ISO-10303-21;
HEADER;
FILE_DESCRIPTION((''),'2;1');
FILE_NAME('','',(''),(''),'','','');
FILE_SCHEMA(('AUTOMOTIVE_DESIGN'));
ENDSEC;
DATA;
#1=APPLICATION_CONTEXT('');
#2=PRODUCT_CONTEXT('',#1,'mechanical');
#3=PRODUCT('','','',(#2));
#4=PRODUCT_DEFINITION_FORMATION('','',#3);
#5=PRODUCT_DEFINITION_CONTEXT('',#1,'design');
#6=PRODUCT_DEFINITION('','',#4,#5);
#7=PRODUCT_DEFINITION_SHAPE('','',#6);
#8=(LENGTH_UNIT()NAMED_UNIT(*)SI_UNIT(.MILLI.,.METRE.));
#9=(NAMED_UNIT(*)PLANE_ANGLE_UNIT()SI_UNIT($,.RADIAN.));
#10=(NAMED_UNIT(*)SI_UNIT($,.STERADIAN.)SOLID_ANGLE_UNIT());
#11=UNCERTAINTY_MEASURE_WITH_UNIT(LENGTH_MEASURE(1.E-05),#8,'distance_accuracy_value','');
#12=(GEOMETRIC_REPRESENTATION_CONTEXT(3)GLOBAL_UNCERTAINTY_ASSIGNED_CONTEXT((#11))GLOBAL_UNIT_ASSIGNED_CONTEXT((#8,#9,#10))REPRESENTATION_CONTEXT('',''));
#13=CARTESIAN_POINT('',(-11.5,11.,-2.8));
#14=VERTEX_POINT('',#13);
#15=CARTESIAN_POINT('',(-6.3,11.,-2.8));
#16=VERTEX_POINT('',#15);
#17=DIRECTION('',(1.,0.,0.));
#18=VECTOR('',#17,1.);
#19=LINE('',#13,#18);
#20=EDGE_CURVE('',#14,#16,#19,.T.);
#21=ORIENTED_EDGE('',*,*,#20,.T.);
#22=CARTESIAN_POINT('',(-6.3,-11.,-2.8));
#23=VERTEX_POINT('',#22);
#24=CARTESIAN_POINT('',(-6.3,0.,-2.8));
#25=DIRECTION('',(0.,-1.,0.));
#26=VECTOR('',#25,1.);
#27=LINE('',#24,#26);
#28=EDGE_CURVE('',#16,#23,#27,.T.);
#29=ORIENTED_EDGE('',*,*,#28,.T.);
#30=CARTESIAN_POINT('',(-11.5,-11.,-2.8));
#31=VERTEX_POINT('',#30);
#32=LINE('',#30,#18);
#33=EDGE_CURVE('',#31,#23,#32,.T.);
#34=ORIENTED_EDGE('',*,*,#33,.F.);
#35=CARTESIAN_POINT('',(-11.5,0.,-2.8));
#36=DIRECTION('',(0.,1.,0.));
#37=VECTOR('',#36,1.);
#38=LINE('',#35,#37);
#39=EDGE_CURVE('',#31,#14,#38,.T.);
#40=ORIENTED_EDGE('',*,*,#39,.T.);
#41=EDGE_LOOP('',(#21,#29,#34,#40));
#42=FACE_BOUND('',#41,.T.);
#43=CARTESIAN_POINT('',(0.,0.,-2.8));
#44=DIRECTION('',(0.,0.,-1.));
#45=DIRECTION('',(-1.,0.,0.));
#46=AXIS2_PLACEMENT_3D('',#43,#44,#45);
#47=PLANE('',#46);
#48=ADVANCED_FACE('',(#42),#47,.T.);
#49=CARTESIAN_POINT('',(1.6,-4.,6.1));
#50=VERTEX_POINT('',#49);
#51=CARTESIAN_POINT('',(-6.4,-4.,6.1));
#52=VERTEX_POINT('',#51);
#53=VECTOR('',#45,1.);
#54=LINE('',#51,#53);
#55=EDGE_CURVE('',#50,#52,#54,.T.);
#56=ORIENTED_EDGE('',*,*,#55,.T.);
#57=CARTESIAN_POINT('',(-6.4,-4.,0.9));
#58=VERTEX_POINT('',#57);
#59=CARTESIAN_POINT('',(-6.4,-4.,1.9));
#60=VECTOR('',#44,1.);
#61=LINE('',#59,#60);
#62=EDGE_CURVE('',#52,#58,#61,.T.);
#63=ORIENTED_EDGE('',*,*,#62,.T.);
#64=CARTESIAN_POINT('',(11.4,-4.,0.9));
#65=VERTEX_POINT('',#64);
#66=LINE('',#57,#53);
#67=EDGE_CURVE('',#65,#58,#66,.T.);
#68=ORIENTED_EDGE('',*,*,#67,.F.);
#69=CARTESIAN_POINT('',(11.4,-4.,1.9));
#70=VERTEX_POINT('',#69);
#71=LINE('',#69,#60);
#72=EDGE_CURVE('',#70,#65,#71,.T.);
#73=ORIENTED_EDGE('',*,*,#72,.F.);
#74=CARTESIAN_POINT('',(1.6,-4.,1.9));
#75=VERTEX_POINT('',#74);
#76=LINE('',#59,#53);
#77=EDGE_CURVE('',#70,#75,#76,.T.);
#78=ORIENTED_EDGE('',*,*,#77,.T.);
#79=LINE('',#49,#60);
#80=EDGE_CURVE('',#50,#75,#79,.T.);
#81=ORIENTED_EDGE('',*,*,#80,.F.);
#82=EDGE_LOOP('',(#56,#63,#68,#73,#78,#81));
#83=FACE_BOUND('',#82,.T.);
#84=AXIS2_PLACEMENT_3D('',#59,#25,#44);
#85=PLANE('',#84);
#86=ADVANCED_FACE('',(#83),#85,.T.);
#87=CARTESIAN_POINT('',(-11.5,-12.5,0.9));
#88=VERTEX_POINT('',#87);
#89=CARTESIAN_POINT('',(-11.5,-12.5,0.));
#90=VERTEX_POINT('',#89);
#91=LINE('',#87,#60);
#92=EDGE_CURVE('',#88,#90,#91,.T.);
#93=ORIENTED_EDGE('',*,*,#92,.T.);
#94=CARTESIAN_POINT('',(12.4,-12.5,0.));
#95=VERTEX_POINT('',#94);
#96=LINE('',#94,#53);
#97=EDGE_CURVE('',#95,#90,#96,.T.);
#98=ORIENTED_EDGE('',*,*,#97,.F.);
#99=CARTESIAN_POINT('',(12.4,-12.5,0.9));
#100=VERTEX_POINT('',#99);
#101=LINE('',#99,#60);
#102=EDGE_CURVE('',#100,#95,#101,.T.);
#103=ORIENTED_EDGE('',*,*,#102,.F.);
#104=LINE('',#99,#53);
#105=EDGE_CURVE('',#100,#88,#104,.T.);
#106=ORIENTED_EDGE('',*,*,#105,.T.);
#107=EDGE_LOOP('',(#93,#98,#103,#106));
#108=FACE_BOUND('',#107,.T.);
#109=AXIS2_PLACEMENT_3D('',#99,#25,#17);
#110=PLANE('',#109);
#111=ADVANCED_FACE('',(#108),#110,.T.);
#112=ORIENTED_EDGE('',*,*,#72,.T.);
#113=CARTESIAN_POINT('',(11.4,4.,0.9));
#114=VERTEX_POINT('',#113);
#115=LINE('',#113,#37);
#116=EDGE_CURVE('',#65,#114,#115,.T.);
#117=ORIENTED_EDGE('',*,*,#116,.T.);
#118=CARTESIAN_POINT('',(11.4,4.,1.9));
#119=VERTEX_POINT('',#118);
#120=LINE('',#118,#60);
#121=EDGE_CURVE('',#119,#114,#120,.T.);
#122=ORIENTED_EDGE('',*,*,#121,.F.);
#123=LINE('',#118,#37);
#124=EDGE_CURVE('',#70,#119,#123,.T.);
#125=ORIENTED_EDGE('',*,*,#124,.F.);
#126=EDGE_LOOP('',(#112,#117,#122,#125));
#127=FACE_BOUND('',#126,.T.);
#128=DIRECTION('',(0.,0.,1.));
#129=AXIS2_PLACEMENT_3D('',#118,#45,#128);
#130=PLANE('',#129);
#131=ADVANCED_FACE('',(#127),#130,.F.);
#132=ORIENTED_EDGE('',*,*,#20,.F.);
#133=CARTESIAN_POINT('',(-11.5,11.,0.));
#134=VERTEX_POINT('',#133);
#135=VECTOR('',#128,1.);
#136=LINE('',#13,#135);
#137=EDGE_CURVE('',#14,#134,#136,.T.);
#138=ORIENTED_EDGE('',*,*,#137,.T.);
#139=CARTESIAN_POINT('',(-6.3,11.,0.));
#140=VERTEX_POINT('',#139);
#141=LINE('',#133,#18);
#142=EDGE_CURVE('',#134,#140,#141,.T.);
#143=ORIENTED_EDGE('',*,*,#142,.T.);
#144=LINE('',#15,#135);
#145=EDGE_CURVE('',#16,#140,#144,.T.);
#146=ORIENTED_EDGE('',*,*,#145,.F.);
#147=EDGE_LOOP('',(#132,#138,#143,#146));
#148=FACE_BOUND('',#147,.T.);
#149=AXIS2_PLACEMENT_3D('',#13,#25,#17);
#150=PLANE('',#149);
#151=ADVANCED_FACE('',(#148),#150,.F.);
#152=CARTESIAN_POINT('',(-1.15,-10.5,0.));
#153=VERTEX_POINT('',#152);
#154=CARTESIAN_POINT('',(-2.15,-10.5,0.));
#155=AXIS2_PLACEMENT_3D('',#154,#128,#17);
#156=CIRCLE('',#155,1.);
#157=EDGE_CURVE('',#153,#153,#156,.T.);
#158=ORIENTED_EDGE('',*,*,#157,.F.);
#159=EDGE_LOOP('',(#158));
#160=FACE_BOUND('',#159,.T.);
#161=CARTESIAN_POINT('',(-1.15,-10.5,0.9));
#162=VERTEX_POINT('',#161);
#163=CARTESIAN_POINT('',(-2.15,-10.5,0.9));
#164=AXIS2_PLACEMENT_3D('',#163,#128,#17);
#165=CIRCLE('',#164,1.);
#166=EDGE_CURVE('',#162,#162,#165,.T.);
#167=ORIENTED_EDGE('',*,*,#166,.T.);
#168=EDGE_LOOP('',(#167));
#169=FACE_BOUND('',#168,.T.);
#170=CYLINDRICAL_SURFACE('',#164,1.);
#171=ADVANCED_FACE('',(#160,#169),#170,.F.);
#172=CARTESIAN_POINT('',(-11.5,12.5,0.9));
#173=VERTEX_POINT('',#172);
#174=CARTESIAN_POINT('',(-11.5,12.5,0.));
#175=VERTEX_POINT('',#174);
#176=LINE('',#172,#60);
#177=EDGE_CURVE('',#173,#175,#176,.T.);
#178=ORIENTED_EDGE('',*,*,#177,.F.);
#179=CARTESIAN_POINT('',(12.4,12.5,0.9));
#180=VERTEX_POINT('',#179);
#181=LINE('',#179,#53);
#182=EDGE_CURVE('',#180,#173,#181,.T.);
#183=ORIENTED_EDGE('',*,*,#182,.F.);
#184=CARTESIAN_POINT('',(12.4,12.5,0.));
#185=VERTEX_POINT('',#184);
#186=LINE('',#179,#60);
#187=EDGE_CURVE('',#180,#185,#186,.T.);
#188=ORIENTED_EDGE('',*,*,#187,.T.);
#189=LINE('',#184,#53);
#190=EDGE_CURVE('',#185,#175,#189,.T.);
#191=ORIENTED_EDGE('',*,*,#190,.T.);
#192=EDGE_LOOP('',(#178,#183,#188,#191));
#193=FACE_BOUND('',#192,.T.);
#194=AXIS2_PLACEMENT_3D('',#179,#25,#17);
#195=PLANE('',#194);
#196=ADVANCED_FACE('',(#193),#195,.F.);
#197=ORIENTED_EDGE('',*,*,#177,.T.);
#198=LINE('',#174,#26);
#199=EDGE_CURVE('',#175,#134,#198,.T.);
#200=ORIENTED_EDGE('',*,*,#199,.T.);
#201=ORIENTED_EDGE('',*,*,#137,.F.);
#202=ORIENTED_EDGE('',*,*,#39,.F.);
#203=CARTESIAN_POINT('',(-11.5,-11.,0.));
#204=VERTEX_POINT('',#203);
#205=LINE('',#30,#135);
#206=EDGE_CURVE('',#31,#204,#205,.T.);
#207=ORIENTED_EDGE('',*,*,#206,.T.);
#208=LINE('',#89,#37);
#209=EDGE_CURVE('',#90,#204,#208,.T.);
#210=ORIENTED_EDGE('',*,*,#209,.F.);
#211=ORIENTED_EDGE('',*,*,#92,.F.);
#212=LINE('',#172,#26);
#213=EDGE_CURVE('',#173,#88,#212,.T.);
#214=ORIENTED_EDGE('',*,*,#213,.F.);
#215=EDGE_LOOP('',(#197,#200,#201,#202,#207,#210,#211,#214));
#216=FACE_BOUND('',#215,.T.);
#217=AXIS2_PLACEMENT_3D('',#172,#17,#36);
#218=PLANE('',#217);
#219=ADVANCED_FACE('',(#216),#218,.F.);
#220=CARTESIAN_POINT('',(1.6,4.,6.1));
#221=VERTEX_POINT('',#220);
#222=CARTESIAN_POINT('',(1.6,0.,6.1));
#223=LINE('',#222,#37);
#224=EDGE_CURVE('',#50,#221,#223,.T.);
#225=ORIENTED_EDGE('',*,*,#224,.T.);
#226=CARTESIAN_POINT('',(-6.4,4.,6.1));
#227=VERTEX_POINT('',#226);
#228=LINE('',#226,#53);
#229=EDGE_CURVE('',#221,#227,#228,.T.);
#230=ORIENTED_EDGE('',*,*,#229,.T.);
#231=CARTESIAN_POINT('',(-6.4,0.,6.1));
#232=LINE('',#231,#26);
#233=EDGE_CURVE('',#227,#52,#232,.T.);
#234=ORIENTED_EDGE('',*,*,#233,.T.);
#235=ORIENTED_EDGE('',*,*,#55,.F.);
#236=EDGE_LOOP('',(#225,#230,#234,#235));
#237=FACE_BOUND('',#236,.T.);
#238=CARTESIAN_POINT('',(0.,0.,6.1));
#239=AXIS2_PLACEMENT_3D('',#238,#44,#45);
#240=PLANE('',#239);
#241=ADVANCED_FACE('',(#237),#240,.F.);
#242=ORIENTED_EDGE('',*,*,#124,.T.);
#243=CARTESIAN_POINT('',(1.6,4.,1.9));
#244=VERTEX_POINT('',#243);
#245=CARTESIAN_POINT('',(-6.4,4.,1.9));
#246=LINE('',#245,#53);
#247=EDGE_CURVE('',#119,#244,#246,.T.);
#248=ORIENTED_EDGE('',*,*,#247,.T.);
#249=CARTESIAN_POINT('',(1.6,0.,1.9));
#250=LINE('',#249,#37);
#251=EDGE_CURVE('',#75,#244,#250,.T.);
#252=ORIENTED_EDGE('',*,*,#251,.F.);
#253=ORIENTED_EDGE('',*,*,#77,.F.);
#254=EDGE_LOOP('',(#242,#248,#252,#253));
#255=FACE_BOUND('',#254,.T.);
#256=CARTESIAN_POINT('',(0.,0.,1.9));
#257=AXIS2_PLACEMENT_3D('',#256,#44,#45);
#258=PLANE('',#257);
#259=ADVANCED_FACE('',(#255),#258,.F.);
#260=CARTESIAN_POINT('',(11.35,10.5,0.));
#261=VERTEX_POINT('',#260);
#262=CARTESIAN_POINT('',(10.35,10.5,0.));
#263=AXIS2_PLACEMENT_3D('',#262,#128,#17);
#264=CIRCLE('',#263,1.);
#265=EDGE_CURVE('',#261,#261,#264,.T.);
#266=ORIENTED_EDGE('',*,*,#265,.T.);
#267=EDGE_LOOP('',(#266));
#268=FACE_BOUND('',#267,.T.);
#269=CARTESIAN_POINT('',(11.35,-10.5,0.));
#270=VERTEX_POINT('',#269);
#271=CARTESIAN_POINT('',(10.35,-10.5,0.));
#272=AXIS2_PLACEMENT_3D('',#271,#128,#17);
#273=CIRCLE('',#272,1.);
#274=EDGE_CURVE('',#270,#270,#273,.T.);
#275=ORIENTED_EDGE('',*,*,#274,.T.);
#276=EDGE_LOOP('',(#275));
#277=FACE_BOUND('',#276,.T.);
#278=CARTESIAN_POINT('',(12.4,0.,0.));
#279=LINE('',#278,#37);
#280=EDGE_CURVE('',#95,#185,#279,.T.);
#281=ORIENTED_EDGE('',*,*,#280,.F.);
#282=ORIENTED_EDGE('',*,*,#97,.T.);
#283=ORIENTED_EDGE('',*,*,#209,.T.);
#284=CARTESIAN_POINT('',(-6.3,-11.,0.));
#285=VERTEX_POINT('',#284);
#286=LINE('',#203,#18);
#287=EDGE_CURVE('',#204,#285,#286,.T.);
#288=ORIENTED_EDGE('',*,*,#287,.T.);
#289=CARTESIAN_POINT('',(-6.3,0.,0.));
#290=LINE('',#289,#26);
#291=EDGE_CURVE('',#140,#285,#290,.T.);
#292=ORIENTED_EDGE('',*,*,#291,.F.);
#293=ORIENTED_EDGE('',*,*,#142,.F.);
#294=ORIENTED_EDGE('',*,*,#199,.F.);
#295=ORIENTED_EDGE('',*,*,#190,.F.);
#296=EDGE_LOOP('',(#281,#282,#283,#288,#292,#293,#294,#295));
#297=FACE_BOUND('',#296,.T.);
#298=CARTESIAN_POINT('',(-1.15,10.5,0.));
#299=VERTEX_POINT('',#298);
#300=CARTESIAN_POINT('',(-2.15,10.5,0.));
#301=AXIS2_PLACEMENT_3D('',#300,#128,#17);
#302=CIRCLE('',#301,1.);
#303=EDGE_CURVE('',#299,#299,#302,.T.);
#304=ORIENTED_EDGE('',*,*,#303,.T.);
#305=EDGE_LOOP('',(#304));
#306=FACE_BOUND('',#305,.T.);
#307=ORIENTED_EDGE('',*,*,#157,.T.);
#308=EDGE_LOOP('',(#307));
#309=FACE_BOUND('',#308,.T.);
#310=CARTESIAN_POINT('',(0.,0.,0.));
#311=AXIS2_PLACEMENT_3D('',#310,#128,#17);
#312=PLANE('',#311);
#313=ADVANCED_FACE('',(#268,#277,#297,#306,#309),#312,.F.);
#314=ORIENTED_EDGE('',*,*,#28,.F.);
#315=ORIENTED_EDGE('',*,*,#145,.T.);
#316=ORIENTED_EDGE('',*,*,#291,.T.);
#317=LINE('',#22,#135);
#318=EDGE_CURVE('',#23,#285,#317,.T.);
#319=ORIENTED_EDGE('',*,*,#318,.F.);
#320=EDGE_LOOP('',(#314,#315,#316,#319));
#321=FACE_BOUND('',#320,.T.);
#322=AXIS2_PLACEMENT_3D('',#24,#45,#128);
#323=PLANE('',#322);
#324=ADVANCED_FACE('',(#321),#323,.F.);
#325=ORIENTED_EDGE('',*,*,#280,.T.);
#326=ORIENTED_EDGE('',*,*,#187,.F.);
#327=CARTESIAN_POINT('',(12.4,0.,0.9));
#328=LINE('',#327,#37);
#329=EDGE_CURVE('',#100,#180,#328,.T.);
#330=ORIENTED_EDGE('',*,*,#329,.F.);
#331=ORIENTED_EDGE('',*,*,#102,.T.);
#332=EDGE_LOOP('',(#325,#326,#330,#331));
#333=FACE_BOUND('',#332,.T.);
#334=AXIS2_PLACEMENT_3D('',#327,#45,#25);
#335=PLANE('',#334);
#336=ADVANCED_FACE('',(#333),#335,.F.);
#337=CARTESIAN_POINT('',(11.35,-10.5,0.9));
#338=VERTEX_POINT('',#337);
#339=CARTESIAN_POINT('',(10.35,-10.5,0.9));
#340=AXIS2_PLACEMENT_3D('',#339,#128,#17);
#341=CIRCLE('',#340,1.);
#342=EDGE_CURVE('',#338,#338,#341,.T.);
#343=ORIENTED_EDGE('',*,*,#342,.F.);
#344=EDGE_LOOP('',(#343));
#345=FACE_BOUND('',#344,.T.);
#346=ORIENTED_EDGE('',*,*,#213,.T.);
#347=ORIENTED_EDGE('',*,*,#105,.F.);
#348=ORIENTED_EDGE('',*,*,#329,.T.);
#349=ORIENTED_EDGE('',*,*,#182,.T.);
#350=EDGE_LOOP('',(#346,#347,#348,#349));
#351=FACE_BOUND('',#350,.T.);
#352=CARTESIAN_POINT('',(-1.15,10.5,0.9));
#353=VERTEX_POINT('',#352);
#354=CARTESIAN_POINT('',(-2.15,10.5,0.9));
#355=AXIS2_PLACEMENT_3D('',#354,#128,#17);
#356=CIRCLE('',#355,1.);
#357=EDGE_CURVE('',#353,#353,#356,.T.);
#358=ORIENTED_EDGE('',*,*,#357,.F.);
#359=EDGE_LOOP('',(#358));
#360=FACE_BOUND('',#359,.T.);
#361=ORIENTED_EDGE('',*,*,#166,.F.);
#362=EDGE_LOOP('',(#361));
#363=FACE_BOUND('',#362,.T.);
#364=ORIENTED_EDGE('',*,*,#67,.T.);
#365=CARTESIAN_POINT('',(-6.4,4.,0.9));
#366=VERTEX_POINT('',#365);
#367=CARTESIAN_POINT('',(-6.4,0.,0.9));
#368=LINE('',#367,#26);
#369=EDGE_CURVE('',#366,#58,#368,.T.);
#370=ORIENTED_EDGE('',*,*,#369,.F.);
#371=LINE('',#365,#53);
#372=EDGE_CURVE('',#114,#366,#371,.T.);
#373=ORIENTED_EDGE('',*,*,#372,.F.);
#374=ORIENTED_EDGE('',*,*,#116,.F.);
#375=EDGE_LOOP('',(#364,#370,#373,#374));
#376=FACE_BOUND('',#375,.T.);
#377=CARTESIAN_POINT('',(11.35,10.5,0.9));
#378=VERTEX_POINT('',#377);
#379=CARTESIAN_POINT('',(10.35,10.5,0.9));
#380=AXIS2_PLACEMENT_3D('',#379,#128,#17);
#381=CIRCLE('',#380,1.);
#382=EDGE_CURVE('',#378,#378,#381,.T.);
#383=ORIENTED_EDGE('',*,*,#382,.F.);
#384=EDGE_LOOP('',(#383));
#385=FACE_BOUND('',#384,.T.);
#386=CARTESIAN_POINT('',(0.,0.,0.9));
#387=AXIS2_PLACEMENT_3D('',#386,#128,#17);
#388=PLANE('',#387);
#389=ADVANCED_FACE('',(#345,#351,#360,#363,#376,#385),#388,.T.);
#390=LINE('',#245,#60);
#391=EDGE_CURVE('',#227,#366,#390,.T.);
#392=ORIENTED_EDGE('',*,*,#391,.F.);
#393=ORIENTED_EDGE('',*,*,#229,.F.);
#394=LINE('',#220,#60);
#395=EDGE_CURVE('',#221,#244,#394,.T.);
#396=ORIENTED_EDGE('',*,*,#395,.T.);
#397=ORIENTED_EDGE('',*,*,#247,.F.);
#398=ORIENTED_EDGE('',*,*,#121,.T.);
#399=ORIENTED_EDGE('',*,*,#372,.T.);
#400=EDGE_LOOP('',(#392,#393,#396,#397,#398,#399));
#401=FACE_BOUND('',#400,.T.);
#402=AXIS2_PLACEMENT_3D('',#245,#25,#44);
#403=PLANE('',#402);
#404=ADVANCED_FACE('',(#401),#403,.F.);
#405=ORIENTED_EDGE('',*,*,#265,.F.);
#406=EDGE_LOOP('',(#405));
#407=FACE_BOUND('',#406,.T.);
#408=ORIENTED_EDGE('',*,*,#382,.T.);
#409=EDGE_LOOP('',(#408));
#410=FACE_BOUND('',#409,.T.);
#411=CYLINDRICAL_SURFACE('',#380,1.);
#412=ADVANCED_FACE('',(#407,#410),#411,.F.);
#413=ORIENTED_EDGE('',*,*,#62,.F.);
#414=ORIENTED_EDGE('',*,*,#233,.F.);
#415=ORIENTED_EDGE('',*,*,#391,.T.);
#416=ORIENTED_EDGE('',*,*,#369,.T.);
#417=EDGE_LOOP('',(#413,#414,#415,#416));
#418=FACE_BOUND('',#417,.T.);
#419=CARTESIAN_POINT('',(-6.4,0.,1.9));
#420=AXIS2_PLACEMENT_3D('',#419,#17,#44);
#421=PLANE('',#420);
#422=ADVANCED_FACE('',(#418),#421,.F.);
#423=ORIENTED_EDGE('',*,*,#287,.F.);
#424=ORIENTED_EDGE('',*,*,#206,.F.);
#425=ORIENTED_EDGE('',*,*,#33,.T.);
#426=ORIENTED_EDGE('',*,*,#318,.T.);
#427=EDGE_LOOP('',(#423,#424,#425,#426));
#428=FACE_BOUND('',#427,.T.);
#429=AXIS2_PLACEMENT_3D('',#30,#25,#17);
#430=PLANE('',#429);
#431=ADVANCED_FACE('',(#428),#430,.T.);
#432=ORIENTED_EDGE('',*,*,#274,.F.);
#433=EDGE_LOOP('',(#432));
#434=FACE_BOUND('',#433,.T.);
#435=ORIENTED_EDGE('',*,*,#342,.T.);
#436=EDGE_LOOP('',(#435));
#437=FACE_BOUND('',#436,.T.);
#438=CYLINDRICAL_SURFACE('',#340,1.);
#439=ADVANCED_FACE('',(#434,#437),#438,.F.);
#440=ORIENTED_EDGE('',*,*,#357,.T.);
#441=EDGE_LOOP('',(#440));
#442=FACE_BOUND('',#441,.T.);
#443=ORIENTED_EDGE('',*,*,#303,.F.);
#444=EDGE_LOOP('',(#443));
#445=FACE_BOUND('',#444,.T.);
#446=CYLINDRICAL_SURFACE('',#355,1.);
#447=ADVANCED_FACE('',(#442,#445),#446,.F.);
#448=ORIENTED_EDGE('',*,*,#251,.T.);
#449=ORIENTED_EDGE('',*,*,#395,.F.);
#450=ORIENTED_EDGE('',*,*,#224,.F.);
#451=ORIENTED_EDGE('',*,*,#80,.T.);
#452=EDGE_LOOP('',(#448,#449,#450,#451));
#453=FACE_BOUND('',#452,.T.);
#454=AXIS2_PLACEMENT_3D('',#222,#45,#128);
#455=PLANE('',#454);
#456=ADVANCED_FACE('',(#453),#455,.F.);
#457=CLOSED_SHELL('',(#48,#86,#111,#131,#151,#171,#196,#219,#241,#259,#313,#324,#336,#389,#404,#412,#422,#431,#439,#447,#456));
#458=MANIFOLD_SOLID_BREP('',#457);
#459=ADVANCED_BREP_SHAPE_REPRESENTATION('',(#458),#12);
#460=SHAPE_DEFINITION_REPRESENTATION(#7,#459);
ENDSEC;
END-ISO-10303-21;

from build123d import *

# Parameters (mm, degrees)
CROQUIS2_W                    = 23.9
CROQUIS2_H                    = 12.5
SALIENTE_EXTRUIR1_DEPTH       = 0.9
CROQUIS4_W                    = 17.8
CROQUIS4_H                    = 4
SALIENTE_EXTRUIR2_DEPTH       = 1
CROQUIS5_W                    = 8
CROQUIS5_H                    = 4
SALIENTE_EXTRUIR3_DEPTH       = 4.2
CROQUIS6_W                    = 5.2
CROQUIS6_H                    = 11
SALIENTE_EXTRUIR4_DEPTH       = 2.8
DI_METRO_DE_TALADRO_2_0_2_1_D = 2


with BuildPart() as part:
    # Croquis2 → Saliente-Extruir1 (new body)
    with BuildSketch(Plane.XY):
        with Locations((0.45, 6.25)):
            Rectangle(CROQUIS2_W, CROQUIS2_H)
    saliente_extruir1 = extrude(amount=SALIENTE_EXTRUIR1_DEPTH)

    # Croquis4 → Saliente-Extruir2 (add)
    with BuildSketch(Plane.XY.offset(0.9)):
        with Locations((2.5, 2)):
            Rectangle(CROQUIS4_W, CROQUIS4_H)
    saliente_extruir2 = extrude(amount=SALIENTE_EXTRUIR2_DEPTH)

    # Croquis5 → Saliente-Extruir3 (add)
    with BuildSketch(Plane.XY.offset(1.9)):
        with Locations((-2.4, 2)):
            Rectangle(CROQUIS5_W, CROQUIS5_H)
    saliente_extruir3 = extrude(amount=SALIENTE_EXTRUIR3_DEPTH)

    # Croquis6 → Saliente-Extruir4 (add)
    with BuildSketch(Plane(origin=(0, 0, 0), x_dir=(-1, 0, 0), z_dir=(0, 0, -1))):
        with Locations((8.9, 5.5)):
            Rectangle(CROQUIS6_W, CROQUIS6_H)
    saliente_extruir4 = extrude(amount=SALIENTE_EXTRUIR4_DEPTH)

    # Diámetro de taladro Ø2.0 (2)1 (through all)
    with Locations(Plane(origin=(-2.15, 10.5, 0.9), x_dir=(1, 0, 0), z_dir=(0, 0, 1))):
        with Locations((0, 0), (12.5, 0)):
            di_metro_de_taladro_2_0_2_1 = Hole(DI_METRO_DE_TALADRO_2_0_2_1_D / 2)

    # Simetría1: Saliente-Extruir1, Saliente-Extruir2, Saliente-Extruir3, Saliente-Extruir4 across plane
    add(saliente_extruir1.mirror(Plane.ZX))
    add(saliente_extruir2.mirror(Plane.ZX))
    add(saliente_extruir3.mirror(Plane.ZX))
    add(saliente_extruir4.mirror(Plane.ZX))

    # Simetría2: Diámetro de taladro Ø2.0 (2)1 across plane
    add(di_metro_de_taladro_2_0_2_1.mirror(Plane.ZX), mode=Mode.SUBTRACT)


solid = part.part
